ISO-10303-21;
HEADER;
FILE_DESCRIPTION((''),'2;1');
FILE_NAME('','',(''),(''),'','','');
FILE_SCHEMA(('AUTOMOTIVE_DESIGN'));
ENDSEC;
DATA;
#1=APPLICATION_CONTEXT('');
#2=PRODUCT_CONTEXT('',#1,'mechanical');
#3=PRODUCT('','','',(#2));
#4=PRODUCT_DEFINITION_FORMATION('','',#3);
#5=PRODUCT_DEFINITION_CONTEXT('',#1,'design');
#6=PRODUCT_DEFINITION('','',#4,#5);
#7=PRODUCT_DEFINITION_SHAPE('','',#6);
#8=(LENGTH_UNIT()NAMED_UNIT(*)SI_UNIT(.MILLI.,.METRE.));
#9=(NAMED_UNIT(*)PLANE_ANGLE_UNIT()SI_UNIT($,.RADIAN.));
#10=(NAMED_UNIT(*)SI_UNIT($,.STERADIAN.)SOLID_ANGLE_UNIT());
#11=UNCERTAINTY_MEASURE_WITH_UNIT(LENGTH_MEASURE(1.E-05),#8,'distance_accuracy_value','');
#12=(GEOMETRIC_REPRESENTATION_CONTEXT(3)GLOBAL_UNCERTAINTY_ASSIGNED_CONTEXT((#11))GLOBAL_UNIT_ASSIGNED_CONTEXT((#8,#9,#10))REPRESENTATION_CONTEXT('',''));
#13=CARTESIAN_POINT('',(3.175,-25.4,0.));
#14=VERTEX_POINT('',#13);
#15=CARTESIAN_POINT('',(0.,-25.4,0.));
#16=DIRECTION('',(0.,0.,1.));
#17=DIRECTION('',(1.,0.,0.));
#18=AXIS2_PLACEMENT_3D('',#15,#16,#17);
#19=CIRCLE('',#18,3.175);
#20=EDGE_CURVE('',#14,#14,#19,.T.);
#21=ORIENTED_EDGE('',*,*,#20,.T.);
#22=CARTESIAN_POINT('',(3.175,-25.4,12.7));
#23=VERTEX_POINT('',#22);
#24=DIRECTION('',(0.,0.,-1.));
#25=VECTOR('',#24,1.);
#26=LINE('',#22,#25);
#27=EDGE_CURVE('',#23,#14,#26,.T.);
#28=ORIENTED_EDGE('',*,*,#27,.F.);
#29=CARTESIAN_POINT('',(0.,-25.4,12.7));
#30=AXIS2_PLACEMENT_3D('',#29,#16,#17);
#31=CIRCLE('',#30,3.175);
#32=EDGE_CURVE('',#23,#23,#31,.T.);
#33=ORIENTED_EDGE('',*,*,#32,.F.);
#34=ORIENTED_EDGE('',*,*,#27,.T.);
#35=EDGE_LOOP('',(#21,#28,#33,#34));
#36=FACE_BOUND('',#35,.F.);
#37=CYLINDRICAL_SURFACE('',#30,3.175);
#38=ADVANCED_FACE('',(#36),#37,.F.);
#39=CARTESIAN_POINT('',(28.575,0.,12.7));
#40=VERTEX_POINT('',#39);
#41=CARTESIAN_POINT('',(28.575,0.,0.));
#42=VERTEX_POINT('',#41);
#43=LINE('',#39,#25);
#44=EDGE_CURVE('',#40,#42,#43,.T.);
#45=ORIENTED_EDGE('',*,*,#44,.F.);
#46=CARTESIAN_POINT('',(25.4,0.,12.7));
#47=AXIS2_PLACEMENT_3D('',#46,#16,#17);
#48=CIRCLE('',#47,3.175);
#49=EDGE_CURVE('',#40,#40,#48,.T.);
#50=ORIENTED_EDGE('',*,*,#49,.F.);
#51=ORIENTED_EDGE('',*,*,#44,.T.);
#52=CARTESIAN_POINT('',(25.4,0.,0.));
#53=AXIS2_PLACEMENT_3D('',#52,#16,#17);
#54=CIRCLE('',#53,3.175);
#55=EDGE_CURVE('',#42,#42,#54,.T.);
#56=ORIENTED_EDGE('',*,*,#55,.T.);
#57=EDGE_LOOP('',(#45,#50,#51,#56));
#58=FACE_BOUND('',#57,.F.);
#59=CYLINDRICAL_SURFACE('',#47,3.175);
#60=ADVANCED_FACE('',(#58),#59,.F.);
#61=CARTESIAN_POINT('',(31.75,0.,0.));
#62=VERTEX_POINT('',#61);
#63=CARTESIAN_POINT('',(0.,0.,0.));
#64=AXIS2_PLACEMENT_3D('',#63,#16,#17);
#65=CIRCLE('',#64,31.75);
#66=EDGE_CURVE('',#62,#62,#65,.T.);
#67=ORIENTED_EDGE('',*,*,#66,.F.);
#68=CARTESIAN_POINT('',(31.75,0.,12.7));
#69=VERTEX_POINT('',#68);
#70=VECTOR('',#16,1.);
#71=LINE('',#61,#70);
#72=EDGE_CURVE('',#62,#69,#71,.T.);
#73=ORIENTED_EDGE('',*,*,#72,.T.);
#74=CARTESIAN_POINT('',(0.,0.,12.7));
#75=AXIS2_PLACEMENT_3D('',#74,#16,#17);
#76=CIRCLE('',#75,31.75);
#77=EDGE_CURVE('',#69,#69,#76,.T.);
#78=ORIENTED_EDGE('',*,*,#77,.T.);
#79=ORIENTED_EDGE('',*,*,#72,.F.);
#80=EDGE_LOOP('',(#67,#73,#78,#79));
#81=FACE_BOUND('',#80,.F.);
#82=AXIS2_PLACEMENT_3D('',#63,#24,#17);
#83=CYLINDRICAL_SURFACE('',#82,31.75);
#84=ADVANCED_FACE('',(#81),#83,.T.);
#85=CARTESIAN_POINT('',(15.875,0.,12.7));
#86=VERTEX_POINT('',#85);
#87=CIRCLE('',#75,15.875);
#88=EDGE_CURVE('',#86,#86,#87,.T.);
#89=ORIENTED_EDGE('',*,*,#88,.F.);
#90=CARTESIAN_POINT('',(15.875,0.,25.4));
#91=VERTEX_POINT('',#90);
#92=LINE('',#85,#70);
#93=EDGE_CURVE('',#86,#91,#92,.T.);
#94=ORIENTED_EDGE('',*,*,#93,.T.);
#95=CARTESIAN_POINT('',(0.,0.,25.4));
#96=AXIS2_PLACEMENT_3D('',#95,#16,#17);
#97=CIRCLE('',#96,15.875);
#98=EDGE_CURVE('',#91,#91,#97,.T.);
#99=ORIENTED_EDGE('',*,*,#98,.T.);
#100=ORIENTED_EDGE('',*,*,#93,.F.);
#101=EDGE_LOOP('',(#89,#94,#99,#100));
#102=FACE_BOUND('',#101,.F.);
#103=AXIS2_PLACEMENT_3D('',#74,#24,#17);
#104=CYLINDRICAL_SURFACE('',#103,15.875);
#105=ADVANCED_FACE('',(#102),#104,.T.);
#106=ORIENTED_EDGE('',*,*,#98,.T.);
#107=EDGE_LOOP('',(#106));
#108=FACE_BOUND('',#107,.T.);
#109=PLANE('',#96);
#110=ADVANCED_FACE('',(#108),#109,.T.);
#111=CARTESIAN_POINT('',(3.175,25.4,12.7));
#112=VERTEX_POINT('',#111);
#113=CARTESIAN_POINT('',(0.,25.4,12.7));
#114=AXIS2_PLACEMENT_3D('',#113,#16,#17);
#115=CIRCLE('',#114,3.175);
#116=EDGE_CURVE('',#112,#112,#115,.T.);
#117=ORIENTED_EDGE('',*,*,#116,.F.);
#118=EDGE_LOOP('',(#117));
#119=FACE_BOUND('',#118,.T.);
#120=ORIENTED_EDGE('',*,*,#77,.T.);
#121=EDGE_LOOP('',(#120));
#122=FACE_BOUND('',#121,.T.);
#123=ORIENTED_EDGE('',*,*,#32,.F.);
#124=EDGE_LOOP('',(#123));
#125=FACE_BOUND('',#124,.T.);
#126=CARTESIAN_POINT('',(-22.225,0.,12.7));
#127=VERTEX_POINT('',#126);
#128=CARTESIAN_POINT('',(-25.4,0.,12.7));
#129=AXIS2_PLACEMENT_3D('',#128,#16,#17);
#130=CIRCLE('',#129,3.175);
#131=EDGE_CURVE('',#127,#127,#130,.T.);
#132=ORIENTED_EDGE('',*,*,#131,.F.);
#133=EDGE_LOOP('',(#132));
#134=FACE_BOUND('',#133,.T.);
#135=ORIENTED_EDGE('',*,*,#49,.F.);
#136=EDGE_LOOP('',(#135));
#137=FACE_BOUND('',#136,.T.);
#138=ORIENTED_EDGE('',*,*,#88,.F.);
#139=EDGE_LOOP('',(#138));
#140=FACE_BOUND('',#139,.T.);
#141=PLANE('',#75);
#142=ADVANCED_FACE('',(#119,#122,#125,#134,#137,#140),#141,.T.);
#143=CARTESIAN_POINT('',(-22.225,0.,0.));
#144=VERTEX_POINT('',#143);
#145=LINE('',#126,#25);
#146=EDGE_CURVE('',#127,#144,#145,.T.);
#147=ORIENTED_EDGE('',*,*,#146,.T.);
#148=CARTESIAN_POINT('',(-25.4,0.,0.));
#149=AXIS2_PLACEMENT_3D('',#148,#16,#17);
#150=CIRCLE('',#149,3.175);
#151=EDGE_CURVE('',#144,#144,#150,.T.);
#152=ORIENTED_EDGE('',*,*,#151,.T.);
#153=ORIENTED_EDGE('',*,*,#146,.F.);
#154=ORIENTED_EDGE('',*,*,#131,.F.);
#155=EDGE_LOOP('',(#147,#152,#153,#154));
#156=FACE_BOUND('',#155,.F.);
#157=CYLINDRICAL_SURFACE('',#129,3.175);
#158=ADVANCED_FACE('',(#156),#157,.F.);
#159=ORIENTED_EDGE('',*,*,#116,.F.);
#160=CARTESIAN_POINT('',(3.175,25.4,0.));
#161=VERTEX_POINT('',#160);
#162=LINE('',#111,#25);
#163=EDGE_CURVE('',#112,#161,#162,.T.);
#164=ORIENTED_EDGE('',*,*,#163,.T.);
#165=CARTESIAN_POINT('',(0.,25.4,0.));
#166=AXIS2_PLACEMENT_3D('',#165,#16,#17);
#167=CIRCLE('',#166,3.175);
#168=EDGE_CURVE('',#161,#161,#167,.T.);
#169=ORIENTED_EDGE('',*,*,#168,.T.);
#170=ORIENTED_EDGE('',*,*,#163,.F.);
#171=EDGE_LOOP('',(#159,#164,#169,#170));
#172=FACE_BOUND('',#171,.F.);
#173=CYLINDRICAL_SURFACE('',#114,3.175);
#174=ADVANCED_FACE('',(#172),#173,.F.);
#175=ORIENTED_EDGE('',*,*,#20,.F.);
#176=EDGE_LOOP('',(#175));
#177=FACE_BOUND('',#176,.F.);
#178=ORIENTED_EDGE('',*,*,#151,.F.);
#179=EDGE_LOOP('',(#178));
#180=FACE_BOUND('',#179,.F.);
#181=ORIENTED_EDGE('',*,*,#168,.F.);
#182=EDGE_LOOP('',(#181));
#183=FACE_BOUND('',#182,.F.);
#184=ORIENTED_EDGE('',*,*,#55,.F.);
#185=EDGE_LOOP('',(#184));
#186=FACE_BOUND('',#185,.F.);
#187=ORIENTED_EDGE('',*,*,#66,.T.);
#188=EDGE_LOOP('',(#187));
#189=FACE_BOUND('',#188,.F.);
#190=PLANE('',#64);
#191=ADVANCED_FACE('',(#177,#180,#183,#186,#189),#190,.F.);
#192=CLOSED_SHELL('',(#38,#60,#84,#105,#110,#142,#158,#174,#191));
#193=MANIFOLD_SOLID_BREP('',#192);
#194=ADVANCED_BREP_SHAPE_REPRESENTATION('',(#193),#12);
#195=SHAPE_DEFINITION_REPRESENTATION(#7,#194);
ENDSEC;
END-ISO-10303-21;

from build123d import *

# Parameters (mm, degrees)
F0_R     = 31.75
F1_DEPTH = 12.7
F2_R     = 15.875
F3_DEPTH = 12.7
F4_R     = 3.175
F5_DEPTH = 12.701


with BuildPart() as f1:
    # F0 (on Top) → F1 (new body)
    with BuildSketch(Plane.XY):
        Circle(F0_R)
    extrude(amount=F1_DEPTH)

    # F2 (on face) → F3 (join)
    with BuildSketch(Plane.XY.offset(12.7)):
        Circle(F2_R)
    extrude(amount=F3_DEPTH)

    # F4 (on face) → F5 (cut, through all)
    with BuildSketch(Plane.XY.offset(12.7)):
        with Locations((25.4, 0)):
            Circle(F4_R)
        with Locations((0, 25.4)):
            Circle(F4_R)
        with Locations((-25.4, 0)):
            Circle(F4_R)
        with Locations((0, -25.4)):
            Circle(F4_R)
    extrude(amount=-F5_DEPTH, mode=Mode.SUBTRACT)


solid = f1.part
